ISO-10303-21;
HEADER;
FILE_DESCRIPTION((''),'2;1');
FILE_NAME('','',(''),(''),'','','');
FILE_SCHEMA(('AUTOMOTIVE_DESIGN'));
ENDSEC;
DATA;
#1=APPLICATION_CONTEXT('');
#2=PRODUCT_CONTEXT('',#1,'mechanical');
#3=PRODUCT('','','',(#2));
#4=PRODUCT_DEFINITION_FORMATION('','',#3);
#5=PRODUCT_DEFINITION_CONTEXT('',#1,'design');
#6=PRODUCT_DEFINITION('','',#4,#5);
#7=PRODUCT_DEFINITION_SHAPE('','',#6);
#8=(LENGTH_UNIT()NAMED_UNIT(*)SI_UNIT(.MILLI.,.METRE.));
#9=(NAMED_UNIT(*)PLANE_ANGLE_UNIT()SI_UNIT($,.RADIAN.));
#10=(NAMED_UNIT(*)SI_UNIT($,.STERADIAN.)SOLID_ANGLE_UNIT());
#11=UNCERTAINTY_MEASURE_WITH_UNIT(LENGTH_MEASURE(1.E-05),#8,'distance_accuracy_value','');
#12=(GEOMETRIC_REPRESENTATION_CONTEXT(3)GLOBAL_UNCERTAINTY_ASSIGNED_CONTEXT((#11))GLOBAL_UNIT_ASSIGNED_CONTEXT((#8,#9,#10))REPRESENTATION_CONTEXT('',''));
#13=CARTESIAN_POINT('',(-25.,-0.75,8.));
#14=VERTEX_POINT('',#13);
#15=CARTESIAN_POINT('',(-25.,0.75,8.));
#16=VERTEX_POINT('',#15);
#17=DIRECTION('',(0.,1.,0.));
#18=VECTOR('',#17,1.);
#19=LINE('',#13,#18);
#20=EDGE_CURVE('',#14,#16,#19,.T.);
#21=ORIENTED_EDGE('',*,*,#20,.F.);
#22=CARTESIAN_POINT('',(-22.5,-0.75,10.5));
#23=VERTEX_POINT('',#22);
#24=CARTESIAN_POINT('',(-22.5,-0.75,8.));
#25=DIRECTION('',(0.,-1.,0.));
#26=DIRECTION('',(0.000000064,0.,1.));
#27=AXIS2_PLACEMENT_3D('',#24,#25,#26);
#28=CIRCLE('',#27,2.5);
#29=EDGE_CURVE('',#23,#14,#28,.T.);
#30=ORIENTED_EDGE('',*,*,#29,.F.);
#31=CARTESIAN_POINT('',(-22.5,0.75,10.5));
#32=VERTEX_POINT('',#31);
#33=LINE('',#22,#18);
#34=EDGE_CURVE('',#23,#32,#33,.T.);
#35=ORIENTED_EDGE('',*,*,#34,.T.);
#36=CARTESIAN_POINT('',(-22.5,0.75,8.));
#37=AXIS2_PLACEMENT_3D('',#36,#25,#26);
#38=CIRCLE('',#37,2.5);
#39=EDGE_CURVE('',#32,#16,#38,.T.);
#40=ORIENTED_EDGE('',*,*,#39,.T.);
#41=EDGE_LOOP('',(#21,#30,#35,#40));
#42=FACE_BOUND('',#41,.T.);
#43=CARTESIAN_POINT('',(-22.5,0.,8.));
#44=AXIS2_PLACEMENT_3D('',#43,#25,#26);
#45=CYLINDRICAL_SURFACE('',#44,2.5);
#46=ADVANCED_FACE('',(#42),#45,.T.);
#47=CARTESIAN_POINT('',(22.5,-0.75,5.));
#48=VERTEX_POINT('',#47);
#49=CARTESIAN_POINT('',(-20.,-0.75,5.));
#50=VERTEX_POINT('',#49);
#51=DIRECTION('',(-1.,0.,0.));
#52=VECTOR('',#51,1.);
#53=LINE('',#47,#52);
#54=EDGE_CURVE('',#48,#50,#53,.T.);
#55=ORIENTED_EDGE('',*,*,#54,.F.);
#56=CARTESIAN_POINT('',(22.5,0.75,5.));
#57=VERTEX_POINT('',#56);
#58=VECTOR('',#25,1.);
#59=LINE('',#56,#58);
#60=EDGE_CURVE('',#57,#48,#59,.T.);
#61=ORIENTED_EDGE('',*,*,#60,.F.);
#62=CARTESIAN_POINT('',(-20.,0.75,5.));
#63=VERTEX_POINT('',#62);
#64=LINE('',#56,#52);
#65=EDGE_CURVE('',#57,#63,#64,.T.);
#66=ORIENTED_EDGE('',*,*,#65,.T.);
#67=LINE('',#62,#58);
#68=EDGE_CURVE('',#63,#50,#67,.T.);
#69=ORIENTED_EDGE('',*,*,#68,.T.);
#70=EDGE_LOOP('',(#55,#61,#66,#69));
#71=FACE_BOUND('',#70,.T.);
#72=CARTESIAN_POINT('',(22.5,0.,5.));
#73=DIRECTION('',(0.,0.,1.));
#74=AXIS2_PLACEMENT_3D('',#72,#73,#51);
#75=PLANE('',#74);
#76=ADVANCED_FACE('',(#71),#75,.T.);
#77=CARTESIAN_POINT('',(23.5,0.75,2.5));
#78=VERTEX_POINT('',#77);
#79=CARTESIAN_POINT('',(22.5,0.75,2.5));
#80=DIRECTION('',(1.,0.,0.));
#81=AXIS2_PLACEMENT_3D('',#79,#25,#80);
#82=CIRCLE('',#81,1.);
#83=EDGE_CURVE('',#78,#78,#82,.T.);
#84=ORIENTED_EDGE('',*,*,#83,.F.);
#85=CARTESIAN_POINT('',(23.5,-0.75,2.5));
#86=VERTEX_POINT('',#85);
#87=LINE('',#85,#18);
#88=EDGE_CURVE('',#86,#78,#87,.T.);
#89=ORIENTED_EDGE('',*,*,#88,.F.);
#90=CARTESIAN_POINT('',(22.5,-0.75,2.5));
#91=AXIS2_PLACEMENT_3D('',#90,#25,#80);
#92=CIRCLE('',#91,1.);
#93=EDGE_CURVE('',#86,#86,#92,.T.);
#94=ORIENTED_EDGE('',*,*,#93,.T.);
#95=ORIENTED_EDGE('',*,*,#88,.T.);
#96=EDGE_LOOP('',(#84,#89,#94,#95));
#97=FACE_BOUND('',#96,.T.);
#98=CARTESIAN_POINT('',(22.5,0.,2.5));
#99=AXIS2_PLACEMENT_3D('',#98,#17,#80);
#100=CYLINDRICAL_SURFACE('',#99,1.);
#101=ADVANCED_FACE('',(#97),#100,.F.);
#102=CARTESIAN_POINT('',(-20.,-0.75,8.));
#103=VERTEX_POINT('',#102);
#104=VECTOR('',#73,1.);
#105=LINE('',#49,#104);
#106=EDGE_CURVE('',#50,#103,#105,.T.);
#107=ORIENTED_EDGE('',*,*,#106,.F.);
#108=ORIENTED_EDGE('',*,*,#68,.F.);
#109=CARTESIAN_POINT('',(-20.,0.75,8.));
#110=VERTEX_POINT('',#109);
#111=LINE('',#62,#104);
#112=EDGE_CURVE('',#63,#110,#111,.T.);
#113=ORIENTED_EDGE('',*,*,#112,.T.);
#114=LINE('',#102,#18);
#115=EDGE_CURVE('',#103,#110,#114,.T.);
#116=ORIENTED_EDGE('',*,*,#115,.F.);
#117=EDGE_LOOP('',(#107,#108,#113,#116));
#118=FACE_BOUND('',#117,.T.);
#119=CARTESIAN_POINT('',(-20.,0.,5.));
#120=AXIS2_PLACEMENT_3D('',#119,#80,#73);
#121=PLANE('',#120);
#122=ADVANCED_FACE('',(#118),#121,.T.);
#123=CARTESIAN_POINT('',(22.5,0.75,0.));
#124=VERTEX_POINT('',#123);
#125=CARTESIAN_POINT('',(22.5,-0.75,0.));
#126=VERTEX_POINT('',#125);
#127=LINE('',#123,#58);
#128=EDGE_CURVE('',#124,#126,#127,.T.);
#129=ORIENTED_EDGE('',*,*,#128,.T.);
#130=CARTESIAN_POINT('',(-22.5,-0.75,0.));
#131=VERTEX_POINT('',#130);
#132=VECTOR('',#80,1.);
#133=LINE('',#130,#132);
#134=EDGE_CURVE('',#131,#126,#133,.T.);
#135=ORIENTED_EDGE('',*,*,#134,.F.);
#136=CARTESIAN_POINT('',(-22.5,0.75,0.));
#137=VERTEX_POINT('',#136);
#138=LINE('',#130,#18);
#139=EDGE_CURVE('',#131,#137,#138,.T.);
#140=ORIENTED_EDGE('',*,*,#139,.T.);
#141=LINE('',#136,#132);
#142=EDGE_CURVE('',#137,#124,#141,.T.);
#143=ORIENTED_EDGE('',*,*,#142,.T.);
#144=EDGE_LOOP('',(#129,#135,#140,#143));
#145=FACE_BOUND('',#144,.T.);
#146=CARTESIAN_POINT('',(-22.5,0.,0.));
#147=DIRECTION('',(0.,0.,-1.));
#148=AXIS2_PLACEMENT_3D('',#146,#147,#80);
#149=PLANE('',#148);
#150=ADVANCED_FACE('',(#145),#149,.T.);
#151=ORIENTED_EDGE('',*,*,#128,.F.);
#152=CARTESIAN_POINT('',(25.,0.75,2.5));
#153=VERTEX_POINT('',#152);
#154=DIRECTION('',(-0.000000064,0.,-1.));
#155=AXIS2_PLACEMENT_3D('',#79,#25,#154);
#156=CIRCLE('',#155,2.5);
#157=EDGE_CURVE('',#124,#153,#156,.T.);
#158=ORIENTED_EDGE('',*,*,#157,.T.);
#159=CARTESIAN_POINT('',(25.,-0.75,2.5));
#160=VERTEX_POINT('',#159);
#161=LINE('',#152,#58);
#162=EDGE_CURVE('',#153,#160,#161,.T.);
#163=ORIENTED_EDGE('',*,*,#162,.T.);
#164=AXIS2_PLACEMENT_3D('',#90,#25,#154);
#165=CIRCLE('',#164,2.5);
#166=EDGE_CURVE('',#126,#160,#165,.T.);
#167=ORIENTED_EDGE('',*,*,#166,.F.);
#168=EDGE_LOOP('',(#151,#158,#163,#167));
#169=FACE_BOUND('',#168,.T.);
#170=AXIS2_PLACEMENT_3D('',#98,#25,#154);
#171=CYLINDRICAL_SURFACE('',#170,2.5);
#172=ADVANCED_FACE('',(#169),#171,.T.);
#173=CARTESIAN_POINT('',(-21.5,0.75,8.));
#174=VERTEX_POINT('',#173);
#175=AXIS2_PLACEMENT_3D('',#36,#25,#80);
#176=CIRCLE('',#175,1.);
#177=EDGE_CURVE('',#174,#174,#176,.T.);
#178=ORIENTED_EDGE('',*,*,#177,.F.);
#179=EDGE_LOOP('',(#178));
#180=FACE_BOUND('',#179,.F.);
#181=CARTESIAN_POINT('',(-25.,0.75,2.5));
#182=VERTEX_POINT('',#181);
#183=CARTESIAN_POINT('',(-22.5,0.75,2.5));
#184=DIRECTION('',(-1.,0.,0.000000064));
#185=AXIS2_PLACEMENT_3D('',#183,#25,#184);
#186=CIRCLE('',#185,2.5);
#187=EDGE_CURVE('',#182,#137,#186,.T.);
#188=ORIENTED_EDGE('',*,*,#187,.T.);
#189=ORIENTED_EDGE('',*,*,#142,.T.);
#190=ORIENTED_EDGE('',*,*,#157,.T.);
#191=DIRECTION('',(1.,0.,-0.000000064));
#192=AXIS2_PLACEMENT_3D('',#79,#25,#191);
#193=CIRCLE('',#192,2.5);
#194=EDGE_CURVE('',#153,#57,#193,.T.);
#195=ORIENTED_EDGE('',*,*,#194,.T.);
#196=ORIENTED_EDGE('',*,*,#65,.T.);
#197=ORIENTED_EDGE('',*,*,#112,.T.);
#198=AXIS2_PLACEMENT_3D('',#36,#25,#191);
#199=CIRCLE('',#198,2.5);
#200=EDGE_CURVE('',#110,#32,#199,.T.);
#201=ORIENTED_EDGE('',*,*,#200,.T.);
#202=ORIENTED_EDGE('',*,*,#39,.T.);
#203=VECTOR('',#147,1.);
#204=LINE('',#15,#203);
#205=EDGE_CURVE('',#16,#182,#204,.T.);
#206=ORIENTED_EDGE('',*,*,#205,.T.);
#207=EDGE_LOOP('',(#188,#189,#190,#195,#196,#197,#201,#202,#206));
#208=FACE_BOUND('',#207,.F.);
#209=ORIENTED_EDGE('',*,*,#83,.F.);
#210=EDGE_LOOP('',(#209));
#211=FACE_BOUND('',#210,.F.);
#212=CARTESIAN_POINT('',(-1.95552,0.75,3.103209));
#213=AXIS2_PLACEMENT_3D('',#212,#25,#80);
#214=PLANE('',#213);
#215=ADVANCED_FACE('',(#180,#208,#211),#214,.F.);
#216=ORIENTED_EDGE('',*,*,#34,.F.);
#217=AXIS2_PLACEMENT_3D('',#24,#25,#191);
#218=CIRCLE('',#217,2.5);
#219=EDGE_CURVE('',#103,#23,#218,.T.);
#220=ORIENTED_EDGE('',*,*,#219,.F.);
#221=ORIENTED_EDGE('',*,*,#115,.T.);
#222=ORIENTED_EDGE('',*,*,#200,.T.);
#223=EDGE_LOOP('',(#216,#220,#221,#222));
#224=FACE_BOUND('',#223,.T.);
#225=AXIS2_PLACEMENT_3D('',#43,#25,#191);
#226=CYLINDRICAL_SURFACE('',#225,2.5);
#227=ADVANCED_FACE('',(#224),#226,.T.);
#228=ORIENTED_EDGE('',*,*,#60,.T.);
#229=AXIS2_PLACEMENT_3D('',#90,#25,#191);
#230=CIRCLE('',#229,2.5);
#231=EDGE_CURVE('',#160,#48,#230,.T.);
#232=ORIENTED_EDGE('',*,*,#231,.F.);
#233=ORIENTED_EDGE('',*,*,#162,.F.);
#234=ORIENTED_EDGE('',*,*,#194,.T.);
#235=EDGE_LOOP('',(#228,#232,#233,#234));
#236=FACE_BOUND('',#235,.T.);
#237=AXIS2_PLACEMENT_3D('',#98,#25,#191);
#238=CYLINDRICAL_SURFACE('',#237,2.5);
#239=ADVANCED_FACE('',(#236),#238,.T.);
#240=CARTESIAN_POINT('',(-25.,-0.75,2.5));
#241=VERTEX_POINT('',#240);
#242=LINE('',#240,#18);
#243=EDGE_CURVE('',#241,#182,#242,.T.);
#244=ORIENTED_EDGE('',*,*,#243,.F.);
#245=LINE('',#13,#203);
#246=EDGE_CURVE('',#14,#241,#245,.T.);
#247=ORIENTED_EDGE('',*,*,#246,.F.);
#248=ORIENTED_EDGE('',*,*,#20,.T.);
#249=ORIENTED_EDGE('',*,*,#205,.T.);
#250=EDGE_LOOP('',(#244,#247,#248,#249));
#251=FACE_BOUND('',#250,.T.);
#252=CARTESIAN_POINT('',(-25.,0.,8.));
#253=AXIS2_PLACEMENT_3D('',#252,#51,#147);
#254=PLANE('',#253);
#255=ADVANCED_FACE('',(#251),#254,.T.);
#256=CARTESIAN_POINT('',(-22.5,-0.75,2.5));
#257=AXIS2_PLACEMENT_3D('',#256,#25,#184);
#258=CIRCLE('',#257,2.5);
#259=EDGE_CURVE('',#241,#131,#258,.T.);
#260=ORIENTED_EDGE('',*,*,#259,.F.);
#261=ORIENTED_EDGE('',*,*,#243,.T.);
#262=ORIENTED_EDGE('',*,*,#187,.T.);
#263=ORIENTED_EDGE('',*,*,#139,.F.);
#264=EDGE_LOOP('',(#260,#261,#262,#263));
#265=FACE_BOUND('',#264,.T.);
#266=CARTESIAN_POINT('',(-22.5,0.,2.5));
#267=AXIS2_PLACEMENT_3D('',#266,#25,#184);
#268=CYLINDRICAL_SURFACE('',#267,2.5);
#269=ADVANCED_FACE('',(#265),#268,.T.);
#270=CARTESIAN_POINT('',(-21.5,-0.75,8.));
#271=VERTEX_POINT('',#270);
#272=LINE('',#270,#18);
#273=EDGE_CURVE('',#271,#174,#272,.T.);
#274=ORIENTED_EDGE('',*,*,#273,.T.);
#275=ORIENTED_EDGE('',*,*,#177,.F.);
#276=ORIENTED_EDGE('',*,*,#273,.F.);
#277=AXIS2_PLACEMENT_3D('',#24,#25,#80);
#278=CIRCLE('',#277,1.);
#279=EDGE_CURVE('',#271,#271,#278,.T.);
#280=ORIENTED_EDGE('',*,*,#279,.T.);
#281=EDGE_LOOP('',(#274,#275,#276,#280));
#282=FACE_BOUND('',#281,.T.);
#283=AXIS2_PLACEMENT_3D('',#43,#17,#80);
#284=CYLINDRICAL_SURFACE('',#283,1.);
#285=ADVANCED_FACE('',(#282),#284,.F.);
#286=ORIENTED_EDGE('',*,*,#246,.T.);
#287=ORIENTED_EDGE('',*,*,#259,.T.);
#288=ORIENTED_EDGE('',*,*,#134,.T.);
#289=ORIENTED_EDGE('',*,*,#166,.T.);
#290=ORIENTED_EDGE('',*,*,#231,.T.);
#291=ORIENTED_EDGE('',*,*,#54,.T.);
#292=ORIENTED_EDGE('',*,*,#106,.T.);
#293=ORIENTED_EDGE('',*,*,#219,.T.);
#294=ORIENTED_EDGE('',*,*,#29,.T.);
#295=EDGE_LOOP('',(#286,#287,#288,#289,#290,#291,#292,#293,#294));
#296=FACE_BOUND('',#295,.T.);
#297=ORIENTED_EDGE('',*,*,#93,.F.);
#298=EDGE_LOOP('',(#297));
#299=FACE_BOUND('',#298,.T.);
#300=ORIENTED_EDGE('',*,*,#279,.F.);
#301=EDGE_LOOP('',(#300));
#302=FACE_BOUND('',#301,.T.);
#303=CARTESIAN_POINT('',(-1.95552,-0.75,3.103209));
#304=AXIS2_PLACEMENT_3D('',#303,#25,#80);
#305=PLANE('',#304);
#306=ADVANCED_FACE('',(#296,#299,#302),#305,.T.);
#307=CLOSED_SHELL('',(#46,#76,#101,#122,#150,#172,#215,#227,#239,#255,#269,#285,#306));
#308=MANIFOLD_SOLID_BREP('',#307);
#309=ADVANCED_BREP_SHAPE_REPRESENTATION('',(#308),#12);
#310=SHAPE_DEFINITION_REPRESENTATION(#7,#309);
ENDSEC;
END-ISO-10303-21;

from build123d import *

# Parameters (mm, degrees)
F0_R     = 1
F1_DEPTH = 0.75


with BuildPart() as f1:
    # F0 (on Front) → F1 (new body, symmetric)
    with BuildSketch(Plane.XZ):
        with BuildLine():
            Line((-22.5, 0), (0, 0))
            Line((0, 0), (22.5, 0))
            ThreePointArc((22.5, 0), (24.267767, 0.732233), (25, 2.5))
            ThreePointArc((25, 2.5), (24.267767, 4.267767), (22.5, 5))
            Line((22.5, 5), (0, 5))
            Line((0, 5), (-20, 5))
            Line((-20, 5), (-20, 8))
            ThreePointArc((-20, 8), (-20.732233, 9.767767), (-22.5, 10.5))
            ThreePointArc((-22.5, 10.5), (-24.267767, 9.767767), (-25, 8))
            Line((-25, 8), (-25, 2.5))
            ThreePointArc((-25, 2.5), (-24.267767, 0.732233), (-22.5, 0))
        make_face()
        with Locations((22.5, 2.5)):
            Circle(F0_R, mode=Mode.SUBTRACT)
        with Locations((-22.5, 8)):
            Circle(F0_R, mode=Mode.SUBTRACT)
    extrude(amount=F1_DEPTH, both=True)


solid = f1.part
